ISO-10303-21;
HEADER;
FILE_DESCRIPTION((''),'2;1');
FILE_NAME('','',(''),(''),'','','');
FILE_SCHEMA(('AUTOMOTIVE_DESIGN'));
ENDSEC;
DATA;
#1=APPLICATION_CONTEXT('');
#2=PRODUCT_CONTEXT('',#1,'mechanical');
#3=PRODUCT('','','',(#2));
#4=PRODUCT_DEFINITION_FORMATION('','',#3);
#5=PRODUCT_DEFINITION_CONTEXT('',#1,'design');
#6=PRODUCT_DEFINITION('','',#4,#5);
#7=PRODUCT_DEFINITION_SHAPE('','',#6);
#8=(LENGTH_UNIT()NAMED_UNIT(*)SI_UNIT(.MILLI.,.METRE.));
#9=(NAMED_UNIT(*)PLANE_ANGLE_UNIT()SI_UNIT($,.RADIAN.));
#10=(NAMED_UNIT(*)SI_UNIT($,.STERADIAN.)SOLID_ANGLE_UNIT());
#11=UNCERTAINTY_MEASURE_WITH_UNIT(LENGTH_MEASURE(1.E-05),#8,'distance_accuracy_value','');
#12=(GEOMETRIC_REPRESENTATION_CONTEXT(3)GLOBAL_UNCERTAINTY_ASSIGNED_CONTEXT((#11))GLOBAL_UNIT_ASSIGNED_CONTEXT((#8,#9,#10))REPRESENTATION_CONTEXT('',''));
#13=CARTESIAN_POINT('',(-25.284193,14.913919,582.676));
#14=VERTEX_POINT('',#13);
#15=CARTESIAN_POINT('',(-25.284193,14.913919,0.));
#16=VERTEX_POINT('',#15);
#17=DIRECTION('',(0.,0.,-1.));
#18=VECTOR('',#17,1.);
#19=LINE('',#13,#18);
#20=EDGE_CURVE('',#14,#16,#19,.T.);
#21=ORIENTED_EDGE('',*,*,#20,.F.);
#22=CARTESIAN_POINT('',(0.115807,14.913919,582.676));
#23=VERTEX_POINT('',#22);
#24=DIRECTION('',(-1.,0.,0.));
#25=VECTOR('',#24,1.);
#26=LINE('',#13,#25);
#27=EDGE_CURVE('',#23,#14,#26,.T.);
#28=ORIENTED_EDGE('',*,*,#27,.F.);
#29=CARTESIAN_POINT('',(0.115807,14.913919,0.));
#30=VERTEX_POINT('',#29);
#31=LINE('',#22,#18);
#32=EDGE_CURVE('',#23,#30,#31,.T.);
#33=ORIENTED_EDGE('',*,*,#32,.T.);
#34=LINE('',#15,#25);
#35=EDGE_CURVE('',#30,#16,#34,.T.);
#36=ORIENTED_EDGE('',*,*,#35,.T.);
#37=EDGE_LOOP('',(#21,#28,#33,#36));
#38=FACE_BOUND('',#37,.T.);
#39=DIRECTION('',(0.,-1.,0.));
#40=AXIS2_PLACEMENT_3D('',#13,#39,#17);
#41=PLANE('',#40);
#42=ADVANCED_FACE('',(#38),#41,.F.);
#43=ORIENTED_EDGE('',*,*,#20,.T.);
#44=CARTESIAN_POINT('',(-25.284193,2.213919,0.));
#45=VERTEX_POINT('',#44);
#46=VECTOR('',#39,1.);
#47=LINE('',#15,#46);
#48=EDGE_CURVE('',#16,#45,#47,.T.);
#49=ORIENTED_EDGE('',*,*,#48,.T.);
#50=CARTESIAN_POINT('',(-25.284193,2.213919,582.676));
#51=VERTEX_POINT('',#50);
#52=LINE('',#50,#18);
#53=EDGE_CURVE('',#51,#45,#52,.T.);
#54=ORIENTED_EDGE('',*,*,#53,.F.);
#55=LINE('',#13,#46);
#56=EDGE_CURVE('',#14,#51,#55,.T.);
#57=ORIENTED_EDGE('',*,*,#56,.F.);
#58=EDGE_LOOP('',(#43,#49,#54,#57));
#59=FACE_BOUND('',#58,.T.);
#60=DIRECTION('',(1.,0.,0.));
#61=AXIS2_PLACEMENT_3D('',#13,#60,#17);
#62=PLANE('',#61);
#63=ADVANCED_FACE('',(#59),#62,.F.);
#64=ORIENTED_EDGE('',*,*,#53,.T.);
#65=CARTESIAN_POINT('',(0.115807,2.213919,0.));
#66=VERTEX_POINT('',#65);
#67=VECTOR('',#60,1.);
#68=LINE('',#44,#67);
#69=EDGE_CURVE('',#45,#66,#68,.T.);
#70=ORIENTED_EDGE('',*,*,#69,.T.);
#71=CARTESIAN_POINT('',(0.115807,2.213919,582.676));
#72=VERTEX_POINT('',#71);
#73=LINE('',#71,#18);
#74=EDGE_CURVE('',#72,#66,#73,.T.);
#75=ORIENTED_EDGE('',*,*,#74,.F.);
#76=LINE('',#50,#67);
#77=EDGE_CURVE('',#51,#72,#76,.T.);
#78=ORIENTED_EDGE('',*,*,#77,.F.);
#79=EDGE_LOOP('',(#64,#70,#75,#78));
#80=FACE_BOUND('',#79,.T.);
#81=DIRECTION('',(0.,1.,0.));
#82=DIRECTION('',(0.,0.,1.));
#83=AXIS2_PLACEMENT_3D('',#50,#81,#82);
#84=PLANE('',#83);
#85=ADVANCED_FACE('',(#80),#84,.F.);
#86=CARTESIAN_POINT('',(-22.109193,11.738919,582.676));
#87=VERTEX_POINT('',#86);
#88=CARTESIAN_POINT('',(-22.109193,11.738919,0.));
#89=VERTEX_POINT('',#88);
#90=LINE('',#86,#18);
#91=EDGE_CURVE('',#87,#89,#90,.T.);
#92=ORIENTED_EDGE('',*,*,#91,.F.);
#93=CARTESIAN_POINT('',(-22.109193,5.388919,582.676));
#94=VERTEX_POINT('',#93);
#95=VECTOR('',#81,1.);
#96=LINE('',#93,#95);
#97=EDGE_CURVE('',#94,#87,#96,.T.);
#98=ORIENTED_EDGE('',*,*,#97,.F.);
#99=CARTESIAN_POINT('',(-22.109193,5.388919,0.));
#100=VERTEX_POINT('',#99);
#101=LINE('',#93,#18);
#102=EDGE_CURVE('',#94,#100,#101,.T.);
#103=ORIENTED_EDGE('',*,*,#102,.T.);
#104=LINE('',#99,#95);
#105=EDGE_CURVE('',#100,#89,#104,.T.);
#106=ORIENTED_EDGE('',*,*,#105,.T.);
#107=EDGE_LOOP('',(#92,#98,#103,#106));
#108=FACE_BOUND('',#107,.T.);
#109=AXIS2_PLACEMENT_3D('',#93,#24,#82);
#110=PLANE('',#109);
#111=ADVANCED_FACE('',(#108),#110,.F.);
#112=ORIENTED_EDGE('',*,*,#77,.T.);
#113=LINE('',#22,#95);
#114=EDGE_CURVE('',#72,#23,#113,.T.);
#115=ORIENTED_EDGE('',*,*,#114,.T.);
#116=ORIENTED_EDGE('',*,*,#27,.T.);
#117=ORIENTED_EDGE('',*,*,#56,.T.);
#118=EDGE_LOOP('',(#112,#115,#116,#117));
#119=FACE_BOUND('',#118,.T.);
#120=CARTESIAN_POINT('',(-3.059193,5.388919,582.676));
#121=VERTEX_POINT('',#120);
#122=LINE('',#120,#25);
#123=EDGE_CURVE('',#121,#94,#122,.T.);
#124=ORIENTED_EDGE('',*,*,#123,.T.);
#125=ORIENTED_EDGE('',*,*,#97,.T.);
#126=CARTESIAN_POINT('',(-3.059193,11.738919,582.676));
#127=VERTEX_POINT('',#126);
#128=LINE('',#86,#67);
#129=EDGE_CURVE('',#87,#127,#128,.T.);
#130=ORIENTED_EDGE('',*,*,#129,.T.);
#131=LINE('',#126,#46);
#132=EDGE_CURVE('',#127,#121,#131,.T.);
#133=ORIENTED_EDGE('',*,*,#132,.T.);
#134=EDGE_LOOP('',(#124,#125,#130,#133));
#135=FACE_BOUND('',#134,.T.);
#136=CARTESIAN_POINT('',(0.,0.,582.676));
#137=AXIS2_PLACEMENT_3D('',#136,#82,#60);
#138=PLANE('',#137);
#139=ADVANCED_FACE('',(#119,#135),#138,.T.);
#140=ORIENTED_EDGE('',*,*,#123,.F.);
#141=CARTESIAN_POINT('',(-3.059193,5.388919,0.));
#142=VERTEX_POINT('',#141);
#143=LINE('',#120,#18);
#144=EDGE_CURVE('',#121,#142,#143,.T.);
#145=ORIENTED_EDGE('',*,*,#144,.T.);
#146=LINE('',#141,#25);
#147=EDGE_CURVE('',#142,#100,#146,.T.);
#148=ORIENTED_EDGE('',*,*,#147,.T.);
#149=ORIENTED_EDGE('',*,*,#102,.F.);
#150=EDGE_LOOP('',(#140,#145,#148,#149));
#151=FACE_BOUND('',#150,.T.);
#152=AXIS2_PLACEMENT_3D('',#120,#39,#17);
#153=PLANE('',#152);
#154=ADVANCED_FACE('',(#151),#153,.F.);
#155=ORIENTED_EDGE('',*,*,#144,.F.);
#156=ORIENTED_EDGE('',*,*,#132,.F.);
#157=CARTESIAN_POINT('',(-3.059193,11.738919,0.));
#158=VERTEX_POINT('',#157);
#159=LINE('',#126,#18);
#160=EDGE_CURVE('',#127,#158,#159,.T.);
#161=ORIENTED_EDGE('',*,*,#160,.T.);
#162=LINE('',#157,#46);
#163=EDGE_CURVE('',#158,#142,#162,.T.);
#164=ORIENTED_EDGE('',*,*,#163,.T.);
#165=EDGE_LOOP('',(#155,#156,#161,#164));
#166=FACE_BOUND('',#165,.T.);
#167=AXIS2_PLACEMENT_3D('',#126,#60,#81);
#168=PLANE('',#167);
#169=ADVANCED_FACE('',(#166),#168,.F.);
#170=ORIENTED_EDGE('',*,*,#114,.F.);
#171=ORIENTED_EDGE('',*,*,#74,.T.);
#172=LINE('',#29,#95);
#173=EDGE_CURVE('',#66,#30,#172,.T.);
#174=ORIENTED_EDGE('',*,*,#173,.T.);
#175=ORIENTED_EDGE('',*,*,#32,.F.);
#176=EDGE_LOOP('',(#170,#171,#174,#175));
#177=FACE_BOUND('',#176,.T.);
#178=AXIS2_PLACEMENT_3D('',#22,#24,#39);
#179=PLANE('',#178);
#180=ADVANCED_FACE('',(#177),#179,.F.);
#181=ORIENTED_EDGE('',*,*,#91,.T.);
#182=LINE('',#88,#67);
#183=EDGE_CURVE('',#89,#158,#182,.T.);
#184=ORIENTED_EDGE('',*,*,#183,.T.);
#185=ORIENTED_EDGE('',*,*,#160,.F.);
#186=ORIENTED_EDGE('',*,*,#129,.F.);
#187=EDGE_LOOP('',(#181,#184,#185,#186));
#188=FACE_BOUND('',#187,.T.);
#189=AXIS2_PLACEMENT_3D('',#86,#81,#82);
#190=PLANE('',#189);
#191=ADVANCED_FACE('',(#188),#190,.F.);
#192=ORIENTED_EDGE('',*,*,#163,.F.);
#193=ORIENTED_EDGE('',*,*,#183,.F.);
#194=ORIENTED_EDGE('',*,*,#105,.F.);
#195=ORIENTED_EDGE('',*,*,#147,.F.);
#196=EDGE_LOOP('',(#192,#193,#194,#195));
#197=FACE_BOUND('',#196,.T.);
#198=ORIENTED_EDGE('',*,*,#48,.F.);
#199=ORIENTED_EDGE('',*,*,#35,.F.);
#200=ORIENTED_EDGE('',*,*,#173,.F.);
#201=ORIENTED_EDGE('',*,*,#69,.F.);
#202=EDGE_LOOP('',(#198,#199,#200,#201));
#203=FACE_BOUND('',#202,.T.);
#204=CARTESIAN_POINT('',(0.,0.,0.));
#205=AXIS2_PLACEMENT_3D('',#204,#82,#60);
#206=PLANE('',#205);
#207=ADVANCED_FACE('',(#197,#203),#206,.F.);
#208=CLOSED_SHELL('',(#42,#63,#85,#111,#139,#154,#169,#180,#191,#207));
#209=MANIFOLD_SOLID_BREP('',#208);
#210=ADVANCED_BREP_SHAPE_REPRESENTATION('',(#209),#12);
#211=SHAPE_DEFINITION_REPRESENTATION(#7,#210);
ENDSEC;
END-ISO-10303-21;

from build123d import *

# Parameters (mm, degrees)
SKETCH1_W           = 25.4
SKETCH1_H           = 12.7
BOSS_EXTRUDE1_DEPTH = 582.676
SKETCH2_W           = 19.05
SKETCH2_H           = 6.35
CUT_EXTRUDE1_DEPTH  = 583.676


with BuildPart() as part:
    # Sketch1 → Boss-Extrude1 (new body)
    with BuildSketch(Plane.XY):
        with Locations((-12.584193343, 8.563919414)):
            Rectangle(SKETCH1_W, SKETCH1_H)
    extrude(amount=BOSS_EXTRUDE1_DEPTH)

    # Sketch2 → Cut-Extrude1 (cut, through all)
    with BuildSketch(Plane(origin=(0, 0, 0), x_dir=(-1, 0, 0), z_dir=(0, 0, -1))):
        with Locations((12.584193343, 8.563919414)):
            Rectangle(SKETCH2_W, SKETCH2_H)
    extrude(amount=-CUT_EXTRUDE1_DEPTH, mode=Mode.SUBTRACT)


solid = part.part
